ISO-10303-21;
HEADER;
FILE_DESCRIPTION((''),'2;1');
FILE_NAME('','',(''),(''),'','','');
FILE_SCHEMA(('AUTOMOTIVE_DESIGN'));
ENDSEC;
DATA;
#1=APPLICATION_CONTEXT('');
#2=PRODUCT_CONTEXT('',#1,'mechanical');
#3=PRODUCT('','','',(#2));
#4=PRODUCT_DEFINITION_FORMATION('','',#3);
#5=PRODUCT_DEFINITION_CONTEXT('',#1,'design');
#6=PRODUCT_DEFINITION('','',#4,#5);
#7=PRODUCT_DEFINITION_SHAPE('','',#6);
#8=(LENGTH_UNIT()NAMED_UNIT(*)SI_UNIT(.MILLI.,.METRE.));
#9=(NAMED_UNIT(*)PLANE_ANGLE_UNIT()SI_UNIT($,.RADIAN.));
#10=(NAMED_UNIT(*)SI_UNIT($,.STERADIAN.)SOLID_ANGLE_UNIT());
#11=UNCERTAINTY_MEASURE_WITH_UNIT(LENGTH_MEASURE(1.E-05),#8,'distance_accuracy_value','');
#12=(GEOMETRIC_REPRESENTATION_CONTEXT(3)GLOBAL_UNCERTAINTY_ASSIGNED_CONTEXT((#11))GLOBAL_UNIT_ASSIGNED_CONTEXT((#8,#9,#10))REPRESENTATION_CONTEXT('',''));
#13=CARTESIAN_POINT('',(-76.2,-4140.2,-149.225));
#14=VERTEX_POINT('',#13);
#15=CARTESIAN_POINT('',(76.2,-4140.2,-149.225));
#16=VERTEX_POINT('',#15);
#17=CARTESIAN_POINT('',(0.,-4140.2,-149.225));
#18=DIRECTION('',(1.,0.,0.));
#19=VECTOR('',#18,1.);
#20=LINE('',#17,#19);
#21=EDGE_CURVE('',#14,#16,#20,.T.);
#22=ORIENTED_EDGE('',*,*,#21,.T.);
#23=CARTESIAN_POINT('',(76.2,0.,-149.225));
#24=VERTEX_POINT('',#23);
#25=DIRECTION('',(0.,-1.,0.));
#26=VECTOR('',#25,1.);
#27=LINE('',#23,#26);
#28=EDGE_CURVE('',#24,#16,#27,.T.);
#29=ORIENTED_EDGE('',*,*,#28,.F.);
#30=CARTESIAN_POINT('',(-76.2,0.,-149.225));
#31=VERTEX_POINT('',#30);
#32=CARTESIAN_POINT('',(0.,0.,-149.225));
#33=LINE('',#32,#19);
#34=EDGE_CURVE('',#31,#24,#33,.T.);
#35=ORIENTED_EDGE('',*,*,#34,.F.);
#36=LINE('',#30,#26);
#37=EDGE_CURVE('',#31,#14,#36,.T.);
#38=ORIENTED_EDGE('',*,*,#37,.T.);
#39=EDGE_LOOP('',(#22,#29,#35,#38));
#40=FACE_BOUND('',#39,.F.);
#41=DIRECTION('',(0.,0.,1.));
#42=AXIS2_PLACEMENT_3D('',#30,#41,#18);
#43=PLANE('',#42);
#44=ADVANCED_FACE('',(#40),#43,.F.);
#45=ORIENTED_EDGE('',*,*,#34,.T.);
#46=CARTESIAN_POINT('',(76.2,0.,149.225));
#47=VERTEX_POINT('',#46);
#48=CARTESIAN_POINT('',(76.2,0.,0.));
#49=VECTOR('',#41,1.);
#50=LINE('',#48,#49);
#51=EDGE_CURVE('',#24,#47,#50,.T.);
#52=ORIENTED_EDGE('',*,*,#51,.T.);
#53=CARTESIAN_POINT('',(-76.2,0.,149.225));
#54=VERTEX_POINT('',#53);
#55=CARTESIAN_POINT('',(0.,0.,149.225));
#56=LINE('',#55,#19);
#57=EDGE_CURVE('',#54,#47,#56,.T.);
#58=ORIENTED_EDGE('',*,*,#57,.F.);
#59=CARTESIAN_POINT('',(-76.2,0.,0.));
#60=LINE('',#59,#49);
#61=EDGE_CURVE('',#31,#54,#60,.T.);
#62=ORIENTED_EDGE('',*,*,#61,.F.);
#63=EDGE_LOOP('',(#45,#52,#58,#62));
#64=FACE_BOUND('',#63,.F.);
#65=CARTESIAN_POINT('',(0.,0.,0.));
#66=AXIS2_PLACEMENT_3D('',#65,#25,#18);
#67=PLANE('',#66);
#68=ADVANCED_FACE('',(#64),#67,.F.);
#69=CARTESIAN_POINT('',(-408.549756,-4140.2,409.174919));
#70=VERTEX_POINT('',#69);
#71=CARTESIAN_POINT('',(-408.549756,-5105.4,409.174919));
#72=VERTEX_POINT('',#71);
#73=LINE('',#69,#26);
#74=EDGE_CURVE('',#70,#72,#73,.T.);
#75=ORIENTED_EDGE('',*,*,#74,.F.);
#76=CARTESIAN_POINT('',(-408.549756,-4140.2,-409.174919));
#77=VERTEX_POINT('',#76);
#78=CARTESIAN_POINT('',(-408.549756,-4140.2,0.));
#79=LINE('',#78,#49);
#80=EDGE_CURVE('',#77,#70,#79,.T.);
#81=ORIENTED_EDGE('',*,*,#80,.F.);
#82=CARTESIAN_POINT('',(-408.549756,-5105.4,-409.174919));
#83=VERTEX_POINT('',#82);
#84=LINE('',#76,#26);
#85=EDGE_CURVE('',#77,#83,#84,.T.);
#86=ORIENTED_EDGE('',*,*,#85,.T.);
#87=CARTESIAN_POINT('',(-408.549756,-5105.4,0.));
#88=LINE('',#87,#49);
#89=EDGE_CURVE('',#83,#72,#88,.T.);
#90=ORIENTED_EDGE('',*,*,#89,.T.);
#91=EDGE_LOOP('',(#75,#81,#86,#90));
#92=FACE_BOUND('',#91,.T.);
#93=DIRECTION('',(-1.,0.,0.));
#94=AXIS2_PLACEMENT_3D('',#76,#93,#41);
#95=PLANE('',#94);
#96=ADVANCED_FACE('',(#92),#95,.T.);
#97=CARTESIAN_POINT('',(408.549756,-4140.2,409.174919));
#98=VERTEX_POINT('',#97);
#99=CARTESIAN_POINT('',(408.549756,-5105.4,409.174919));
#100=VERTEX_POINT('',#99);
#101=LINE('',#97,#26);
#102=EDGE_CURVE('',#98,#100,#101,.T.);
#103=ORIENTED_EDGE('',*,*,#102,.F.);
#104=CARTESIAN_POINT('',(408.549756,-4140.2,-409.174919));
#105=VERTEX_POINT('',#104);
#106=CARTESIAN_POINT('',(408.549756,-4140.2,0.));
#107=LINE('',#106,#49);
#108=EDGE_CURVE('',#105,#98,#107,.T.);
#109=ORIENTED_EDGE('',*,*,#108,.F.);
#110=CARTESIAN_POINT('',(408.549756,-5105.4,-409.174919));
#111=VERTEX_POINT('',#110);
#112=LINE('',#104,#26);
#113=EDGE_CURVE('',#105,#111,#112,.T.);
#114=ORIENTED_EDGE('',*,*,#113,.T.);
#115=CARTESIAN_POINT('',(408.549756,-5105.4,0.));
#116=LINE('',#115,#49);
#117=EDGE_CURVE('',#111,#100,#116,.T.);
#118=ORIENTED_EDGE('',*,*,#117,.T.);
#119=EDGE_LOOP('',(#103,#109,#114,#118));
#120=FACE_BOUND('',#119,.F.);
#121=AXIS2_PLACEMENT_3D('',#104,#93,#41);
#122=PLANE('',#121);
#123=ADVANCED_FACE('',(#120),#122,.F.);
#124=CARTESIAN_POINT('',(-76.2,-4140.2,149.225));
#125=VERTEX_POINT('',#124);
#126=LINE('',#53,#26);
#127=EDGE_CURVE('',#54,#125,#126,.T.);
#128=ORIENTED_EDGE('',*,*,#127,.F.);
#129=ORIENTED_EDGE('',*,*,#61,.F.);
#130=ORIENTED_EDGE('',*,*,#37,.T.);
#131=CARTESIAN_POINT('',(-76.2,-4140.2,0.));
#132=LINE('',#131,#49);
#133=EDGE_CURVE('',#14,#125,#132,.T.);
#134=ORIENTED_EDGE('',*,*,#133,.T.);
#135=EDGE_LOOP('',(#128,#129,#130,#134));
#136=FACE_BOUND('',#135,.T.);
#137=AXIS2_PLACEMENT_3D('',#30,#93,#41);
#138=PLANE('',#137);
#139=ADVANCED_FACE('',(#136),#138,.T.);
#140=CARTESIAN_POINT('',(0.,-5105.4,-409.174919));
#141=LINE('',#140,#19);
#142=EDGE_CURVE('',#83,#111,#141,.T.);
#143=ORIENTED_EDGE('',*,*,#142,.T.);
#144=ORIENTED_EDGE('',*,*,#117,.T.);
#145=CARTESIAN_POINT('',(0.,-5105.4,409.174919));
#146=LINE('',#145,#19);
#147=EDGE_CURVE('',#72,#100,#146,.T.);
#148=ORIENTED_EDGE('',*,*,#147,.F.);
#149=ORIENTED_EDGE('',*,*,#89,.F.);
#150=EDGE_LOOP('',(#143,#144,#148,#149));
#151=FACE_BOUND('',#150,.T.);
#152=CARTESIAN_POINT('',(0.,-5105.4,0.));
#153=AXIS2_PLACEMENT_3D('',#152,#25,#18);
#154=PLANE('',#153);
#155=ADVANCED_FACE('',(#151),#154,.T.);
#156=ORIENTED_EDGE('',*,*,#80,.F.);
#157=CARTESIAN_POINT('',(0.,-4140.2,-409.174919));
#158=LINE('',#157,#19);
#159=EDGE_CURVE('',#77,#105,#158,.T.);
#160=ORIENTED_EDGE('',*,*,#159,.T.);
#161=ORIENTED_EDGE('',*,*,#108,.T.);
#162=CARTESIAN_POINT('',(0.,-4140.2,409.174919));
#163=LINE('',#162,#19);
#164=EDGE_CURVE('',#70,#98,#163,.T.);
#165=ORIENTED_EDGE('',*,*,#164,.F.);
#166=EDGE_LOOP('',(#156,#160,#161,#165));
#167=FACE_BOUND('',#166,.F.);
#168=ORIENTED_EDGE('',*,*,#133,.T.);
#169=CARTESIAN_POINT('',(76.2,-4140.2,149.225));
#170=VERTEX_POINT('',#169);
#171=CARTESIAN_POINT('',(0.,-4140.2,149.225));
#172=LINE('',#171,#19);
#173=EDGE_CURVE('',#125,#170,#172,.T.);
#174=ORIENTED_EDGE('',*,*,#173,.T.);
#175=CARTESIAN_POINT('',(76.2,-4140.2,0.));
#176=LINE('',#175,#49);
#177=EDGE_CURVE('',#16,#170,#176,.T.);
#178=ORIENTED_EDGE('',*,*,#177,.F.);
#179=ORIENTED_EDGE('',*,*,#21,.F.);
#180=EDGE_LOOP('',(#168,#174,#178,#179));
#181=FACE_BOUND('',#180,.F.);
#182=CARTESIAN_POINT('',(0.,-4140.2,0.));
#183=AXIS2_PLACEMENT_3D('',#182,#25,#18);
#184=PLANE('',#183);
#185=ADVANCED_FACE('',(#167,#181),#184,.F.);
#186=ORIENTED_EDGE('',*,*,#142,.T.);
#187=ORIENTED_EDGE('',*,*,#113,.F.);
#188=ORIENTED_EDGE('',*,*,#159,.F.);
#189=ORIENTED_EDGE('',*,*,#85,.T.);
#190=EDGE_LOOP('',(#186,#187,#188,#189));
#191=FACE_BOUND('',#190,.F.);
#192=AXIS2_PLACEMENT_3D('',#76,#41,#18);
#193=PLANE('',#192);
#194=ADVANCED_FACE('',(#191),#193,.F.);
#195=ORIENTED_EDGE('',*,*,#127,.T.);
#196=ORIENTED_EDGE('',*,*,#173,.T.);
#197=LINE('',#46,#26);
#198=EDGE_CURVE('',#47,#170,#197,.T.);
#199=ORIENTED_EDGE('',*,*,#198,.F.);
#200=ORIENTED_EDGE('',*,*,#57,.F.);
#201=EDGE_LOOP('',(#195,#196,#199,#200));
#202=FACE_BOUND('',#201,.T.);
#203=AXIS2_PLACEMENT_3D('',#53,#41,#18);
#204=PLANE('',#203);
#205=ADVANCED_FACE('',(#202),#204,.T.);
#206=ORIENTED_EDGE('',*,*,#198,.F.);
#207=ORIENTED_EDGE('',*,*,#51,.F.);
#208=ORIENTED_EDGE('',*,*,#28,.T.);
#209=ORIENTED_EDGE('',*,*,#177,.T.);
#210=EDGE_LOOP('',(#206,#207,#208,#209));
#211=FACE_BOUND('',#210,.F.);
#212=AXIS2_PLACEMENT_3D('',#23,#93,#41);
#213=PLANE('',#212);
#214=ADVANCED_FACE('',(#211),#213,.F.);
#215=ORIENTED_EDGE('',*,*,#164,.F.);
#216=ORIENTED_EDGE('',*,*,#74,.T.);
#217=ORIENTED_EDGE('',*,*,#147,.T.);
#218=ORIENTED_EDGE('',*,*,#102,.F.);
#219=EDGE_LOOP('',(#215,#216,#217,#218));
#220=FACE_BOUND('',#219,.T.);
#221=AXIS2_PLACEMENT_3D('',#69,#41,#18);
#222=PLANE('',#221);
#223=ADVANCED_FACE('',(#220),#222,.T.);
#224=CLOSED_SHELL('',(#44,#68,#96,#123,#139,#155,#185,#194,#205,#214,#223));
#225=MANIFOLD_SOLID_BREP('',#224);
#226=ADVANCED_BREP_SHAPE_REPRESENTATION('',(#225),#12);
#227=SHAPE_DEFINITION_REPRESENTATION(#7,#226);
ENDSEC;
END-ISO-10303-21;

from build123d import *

# Parameters (mm, degrees)
F0_W     = 152.4
F0_H     = 298.45
F1_DEPTH = 4140.2
F2_W     = 817.099512
F2_H     = 818.349838
F3_DEPTH = 965.2


with BuildPart() as f1:
    # F0 (on Front) → F1 (new body)
    with BuildSketch(Plane.XZ):
        Rectangle(F0_W, F0_H)
    extrude(amount=F1_DEPTH)

    # F2 (on face) → F3 (join)
    with BuildSketch(Plane.XZ.offset(4140.2)):
        Rectangle(F2_W, F2_H)
    extrude(amount=F3_DEPTH)


solid = f1.part
